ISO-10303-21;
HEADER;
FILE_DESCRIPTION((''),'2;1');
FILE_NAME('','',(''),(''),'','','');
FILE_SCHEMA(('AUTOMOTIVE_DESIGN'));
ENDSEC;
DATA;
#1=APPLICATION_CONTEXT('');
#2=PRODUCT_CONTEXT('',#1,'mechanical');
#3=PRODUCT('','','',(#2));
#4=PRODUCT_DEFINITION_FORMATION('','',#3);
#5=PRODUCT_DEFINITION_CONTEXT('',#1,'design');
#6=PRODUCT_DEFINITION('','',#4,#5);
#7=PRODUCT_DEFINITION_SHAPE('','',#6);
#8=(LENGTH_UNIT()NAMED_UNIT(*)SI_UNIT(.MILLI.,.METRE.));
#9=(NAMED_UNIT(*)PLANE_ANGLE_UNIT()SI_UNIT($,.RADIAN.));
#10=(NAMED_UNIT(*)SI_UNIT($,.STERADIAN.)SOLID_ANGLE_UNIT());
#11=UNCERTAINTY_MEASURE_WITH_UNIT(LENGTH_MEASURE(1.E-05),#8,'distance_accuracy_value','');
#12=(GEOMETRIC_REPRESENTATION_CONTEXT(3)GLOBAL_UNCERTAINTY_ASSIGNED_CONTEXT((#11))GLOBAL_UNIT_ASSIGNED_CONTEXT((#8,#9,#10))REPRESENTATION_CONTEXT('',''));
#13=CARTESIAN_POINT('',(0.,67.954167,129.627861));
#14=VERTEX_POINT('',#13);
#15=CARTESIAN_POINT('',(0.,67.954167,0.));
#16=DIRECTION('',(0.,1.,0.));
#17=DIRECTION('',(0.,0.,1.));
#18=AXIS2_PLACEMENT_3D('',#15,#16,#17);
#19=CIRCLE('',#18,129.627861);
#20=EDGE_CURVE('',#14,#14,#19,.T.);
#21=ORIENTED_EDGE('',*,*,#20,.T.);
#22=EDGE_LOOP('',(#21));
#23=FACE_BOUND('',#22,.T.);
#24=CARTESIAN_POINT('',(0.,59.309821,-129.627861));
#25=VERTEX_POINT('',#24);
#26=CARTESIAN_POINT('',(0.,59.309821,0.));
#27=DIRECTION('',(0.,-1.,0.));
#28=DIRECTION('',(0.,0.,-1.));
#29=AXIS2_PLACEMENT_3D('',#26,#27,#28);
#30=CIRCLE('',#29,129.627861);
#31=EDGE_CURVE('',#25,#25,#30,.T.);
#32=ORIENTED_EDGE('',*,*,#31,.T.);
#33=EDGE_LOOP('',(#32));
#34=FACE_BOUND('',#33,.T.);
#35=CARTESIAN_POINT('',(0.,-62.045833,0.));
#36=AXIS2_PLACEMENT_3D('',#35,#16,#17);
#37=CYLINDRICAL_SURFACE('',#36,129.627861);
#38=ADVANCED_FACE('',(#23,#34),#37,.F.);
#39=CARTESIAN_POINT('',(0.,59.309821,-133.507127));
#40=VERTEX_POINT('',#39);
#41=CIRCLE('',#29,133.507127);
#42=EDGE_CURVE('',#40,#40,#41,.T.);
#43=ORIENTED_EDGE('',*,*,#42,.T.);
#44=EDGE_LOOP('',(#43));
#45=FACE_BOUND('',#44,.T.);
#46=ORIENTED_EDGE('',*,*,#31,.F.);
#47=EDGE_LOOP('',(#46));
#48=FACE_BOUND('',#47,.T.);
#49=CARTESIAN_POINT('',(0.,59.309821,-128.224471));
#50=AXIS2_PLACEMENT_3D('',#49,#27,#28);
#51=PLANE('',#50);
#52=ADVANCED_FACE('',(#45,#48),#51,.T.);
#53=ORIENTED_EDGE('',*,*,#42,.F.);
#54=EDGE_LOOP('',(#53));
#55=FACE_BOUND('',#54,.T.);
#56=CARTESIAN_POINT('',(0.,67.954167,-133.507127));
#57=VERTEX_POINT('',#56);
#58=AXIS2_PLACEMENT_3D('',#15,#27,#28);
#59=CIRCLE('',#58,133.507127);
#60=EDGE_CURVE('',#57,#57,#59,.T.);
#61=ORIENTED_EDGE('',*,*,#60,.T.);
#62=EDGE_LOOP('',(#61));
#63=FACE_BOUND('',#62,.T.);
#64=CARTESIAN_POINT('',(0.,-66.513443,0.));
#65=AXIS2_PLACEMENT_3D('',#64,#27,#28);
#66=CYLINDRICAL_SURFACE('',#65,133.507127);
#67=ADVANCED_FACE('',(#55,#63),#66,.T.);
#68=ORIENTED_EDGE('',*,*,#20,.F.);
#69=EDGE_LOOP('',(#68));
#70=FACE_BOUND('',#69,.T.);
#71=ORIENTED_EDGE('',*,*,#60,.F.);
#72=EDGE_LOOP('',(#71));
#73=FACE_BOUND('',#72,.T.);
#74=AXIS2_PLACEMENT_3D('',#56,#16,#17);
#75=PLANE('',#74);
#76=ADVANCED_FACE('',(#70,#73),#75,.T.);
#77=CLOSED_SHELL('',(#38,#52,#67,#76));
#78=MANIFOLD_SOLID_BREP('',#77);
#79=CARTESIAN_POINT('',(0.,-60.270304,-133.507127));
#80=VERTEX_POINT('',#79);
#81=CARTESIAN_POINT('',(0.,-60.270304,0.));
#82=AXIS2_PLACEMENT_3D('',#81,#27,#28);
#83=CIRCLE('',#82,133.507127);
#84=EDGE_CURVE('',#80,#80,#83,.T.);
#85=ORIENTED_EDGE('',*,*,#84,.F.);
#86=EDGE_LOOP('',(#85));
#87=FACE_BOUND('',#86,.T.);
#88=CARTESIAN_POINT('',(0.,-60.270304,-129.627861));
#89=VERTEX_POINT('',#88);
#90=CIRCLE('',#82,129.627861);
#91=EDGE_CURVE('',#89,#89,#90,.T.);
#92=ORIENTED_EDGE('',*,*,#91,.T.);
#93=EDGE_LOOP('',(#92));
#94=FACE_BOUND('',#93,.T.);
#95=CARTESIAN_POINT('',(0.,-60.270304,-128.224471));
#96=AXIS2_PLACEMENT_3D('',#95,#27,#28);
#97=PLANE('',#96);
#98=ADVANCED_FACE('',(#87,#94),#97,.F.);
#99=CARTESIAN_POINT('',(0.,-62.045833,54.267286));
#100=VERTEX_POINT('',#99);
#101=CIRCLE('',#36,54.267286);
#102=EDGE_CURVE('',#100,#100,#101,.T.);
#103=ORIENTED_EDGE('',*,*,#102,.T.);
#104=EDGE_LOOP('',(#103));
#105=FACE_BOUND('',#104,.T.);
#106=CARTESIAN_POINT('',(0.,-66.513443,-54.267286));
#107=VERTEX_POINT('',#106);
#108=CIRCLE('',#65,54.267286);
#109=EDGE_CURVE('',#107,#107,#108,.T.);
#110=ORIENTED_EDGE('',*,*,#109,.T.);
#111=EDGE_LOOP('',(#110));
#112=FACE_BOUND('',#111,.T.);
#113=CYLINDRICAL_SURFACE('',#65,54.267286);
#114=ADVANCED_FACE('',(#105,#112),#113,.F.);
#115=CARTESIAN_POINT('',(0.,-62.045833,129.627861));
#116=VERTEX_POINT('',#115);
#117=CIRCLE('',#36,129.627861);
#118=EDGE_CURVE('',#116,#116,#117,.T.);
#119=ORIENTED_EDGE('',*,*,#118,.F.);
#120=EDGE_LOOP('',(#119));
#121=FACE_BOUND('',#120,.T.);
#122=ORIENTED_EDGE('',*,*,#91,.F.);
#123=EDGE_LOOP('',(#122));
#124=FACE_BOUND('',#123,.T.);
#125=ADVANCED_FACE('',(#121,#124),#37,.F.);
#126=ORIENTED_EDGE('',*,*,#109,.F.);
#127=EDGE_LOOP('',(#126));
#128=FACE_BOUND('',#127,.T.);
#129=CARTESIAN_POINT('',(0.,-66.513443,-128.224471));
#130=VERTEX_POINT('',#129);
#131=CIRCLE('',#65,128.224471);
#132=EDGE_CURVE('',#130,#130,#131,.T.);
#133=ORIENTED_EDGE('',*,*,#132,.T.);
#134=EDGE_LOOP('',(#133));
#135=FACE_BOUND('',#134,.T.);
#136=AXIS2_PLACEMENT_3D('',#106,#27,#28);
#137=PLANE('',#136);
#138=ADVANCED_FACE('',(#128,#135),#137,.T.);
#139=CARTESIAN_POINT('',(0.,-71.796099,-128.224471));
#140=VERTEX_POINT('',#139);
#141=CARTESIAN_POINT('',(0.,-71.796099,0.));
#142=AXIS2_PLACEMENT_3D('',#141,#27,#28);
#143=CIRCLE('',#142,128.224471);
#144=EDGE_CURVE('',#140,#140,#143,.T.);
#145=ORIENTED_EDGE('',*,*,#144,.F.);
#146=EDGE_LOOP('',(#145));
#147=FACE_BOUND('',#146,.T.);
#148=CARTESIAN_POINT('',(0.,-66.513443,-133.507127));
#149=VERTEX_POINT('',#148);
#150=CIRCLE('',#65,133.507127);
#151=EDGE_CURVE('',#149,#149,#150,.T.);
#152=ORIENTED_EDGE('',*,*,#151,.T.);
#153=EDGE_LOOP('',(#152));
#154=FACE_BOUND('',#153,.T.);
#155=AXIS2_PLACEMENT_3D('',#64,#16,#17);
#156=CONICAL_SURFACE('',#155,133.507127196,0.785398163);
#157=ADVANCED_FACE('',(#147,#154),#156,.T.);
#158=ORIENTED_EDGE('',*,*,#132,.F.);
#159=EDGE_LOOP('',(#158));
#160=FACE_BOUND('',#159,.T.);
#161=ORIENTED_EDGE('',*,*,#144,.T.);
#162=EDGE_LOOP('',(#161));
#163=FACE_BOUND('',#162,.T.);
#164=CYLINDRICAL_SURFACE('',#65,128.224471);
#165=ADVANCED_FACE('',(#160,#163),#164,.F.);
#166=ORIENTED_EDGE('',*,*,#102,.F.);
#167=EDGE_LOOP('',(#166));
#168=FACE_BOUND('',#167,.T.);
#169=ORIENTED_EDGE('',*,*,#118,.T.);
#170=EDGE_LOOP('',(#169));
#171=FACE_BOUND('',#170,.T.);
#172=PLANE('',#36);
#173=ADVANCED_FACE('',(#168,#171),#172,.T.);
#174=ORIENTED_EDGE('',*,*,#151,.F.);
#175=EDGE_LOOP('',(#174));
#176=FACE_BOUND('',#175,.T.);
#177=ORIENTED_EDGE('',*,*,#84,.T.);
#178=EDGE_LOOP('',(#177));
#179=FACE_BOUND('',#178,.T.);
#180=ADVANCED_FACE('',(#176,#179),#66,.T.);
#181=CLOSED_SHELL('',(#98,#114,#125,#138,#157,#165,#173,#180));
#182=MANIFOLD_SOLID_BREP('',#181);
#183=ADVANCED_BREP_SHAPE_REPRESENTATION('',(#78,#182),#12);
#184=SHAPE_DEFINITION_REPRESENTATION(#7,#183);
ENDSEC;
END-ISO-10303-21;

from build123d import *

# Parameters (mm, degrees)
CROQUIS2_R            = 129.627860529
CORTAR_EXTRUIR1_DEPTH = 130


with BuildPart() as part:
    # Croquis1 → Revolución1 (revolve)
    with BuildSketch(Plane(origin=(0, 0, 0), x_dir=(0, 0, -1), z_dir=(1, 0, 0))):
        Polygon((54.267285515, 67.95416726), (54.267285515, -66.513442866), (128.224471084, -66.513442866), (128.224471084, -60.270303824), (128.224471084, 59.309820895), (133.507127196, 59.309820895), (133.507127196, 67.95416726), align=None)
        Polygon((128.224471084, -60.270303824), (128.224471084, -66.513442866), (128.224471084, -71.796098978), (133.507127196, -66.513442866), (133.507127196, -60.270303824), align=None)
    revolve(axis=Axis((0, -66.513442866, 0), (0, 1, 0)))

    # Croquis2 → Cortar-Extruir1 (cut)
    with BuildSketch(Plane(origin=(0, 67.95416726, 0), x_dir=(1, 0, 0), z_dir=(0, 1, 0))):
        Circle(CROQUIS2_R)
    extrude(amount=-CORTAR_EXTRUIR1_DEPTH, mode=Mode.SUBTRACT)


solid = part.part
